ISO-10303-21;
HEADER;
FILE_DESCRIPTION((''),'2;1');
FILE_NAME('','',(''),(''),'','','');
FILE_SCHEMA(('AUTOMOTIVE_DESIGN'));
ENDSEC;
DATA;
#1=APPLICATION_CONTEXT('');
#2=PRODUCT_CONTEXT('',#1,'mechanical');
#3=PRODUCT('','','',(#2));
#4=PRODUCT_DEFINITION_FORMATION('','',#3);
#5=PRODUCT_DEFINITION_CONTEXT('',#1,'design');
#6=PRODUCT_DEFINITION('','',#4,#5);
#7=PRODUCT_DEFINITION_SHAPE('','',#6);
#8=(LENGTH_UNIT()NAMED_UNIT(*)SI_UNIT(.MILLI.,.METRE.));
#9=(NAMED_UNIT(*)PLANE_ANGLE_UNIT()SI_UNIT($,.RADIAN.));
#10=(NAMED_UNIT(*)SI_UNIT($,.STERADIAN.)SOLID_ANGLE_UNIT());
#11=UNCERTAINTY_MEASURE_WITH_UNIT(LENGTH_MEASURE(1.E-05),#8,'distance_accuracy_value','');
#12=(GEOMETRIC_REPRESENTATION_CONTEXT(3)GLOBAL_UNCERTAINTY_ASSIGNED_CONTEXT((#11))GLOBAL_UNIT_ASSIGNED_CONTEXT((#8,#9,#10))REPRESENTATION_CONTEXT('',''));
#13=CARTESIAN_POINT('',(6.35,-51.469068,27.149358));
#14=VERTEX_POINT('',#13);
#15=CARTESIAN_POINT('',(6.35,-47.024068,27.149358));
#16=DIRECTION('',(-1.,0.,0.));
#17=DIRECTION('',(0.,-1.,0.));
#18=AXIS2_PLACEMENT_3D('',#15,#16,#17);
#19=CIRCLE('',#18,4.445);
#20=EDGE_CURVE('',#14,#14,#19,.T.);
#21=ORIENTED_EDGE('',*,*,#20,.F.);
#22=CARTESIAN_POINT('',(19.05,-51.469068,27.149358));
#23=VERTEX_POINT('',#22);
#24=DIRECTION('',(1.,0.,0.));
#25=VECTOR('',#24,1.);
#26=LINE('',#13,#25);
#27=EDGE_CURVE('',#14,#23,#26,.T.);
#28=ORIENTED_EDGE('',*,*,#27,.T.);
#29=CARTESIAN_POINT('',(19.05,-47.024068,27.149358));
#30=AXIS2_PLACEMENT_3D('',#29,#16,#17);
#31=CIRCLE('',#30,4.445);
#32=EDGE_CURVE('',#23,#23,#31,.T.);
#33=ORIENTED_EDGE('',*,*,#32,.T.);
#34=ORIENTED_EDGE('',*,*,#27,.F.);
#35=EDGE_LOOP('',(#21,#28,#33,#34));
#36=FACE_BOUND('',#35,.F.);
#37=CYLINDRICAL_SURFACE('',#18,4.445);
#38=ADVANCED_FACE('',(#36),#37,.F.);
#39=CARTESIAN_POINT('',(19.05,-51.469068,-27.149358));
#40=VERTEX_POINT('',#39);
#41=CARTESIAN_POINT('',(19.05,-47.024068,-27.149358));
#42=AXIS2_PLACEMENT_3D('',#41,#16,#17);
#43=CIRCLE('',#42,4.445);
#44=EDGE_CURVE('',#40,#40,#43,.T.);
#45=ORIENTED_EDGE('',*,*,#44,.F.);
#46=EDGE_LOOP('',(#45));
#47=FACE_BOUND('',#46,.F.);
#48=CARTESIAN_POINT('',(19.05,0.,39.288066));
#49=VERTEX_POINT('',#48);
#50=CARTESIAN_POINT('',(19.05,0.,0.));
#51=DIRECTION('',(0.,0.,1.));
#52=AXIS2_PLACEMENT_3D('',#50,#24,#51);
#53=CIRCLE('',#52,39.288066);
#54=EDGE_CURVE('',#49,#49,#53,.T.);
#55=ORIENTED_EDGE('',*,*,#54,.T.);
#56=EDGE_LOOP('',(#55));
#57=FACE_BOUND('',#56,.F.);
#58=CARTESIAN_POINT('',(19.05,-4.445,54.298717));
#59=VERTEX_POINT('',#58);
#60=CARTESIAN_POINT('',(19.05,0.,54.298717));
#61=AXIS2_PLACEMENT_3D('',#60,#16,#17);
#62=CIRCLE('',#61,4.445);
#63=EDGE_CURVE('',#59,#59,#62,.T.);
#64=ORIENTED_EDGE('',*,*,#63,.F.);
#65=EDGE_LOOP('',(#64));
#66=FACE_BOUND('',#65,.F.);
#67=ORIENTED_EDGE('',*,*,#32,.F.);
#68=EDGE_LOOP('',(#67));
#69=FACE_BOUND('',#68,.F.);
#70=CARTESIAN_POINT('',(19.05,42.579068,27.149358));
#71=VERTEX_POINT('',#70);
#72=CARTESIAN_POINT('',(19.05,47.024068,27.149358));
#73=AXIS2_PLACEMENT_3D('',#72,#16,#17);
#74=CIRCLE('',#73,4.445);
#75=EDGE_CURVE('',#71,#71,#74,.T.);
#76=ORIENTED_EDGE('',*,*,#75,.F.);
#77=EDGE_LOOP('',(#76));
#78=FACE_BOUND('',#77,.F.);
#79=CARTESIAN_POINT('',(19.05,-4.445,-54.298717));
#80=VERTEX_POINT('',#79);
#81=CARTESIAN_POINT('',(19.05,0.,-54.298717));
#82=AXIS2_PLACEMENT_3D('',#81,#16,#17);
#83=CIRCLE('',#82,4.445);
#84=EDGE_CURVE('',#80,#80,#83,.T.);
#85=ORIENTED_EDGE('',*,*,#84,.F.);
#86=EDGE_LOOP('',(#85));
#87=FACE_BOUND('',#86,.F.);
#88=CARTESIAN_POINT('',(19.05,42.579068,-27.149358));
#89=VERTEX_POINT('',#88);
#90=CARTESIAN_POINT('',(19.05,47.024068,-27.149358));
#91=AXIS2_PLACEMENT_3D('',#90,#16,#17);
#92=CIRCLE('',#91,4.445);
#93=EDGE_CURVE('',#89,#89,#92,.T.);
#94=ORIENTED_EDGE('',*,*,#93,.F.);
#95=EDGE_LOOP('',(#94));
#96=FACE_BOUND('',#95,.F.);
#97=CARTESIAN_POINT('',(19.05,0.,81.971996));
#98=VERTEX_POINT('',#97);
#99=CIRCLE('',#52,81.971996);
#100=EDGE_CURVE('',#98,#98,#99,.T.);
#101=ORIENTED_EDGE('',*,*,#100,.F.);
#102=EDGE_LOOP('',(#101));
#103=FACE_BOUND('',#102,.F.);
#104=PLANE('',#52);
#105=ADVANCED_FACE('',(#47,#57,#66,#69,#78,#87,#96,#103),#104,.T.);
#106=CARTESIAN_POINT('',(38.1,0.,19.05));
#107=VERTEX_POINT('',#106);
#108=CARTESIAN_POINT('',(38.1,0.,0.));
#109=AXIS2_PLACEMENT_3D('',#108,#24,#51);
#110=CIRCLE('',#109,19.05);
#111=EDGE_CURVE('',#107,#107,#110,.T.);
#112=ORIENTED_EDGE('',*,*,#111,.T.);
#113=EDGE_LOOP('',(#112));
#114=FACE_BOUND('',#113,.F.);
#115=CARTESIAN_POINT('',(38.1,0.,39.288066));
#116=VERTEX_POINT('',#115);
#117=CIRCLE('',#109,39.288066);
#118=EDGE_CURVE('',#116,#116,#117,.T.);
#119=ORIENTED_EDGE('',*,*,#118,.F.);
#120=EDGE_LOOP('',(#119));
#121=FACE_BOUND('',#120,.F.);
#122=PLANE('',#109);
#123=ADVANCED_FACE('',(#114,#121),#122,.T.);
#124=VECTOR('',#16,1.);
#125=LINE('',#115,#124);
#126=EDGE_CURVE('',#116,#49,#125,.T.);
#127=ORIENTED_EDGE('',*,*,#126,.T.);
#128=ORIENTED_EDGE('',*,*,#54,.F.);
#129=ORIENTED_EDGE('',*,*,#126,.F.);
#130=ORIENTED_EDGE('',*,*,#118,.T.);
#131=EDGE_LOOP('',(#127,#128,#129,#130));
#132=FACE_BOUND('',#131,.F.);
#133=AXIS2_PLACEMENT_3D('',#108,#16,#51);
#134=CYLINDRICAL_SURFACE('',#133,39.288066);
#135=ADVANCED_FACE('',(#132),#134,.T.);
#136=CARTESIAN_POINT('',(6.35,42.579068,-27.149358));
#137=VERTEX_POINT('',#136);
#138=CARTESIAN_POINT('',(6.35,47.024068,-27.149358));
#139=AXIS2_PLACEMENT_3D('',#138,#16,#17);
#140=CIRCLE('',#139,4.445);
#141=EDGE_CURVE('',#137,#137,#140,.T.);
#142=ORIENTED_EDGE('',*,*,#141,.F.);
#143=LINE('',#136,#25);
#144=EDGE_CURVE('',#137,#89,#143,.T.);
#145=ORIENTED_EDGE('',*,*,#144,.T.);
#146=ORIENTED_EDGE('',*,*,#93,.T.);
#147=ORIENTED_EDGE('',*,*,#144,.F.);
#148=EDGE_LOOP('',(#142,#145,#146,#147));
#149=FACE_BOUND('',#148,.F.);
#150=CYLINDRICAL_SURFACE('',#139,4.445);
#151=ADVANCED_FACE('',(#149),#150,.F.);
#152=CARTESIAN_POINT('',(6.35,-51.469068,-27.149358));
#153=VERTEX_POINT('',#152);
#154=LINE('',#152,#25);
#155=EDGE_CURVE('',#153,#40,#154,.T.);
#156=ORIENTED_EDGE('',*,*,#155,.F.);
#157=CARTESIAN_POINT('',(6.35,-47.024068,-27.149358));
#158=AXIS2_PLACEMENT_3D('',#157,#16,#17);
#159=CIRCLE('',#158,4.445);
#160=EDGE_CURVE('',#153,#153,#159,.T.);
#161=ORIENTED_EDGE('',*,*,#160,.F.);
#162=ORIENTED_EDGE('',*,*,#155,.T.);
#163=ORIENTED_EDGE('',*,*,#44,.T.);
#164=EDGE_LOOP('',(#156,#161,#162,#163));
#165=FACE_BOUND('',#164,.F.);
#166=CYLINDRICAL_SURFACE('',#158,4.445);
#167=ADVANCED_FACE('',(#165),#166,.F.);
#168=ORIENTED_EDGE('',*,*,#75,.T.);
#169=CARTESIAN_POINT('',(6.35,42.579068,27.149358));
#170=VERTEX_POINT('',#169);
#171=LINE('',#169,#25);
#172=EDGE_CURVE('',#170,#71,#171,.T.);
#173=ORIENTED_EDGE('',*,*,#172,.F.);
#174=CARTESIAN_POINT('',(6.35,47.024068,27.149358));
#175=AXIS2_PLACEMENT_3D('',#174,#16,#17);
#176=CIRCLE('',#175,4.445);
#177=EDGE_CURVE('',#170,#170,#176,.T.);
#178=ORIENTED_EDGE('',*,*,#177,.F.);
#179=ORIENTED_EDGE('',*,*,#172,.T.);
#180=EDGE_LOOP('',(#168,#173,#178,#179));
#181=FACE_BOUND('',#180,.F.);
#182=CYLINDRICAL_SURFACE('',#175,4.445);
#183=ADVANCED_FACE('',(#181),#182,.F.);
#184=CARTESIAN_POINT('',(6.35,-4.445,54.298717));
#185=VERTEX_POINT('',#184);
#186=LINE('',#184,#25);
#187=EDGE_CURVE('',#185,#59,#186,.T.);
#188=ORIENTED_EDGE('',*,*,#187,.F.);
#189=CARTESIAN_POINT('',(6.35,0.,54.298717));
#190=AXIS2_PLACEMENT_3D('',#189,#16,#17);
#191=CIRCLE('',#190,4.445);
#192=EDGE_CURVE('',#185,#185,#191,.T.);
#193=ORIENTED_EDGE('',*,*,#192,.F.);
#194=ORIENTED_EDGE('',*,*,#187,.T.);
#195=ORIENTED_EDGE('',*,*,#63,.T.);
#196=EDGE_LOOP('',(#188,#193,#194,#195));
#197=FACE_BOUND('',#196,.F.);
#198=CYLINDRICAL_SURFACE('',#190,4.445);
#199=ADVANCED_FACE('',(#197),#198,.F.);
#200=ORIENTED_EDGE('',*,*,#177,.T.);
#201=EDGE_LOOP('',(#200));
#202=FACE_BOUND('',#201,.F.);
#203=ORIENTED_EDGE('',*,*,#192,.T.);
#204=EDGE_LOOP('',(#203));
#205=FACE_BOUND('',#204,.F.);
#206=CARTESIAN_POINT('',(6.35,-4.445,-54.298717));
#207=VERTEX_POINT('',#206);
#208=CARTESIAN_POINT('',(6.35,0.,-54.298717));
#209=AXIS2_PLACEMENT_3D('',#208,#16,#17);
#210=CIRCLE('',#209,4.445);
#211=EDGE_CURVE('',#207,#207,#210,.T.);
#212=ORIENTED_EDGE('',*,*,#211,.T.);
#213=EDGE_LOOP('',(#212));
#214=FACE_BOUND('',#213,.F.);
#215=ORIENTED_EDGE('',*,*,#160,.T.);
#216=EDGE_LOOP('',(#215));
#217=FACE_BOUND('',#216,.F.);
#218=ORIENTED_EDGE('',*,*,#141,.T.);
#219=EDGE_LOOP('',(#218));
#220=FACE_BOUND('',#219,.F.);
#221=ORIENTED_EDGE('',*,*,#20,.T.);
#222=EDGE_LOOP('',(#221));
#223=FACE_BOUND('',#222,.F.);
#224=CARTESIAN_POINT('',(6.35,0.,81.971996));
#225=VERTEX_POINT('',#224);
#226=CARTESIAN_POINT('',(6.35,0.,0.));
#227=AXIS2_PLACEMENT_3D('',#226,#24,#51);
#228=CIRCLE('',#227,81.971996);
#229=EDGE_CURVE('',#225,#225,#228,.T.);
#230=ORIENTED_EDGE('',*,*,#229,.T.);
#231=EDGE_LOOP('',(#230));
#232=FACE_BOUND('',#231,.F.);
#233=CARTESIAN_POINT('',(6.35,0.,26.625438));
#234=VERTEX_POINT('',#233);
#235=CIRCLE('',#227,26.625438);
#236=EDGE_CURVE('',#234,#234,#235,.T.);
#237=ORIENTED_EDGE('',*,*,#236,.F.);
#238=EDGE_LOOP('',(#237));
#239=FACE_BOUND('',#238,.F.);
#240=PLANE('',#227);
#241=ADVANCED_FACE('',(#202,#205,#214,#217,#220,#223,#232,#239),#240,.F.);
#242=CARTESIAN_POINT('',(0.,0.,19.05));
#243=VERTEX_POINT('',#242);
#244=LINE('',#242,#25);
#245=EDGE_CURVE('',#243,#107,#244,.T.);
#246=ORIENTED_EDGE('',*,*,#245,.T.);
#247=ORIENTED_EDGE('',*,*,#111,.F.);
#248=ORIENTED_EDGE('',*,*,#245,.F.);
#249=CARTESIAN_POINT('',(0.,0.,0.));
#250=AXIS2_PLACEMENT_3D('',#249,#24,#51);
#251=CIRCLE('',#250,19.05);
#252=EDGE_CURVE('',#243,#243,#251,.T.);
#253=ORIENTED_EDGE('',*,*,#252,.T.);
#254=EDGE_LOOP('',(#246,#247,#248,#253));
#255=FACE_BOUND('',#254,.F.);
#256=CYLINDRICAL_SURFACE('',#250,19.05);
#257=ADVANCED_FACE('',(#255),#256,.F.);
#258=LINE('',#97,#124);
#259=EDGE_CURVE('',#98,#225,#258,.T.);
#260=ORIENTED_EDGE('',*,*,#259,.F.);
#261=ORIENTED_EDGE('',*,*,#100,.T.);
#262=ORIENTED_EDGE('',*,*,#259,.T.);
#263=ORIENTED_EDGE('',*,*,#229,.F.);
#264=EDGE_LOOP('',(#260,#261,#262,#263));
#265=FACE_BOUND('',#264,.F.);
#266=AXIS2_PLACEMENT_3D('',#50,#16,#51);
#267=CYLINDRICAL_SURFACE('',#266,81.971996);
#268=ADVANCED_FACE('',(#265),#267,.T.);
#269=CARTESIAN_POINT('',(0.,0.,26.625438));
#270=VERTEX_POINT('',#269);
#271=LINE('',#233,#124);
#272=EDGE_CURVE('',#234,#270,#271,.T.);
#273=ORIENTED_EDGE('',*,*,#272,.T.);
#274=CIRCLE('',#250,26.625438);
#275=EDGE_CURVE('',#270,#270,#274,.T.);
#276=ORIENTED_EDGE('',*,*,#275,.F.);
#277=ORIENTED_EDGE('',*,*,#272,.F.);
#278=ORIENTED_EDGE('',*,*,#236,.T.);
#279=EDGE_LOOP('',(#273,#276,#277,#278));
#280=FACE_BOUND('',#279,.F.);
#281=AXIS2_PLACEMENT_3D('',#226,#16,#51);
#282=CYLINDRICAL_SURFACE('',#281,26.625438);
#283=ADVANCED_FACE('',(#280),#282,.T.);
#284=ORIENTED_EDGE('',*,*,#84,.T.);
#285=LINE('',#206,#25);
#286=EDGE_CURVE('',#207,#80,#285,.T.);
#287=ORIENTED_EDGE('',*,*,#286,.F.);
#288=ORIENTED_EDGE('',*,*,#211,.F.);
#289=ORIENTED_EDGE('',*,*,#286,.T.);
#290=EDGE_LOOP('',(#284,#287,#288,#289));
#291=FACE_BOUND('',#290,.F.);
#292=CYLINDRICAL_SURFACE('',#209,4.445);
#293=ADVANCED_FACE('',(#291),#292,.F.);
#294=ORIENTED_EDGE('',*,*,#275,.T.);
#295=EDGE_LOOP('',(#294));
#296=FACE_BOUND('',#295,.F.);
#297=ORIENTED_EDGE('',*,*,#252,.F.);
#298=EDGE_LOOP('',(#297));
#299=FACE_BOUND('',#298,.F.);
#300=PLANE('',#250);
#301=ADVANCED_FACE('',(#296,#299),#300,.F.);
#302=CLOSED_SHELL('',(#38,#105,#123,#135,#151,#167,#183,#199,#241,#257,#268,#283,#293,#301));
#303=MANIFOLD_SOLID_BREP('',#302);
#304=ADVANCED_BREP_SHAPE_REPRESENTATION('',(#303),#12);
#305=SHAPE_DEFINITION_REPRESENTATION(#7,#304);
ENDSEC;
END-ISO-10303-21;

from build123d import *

# Parameters (mm, degrees)
F3_R     = 4.445
F4_DEPTH = 31.751


with BuildPart() as f1:
    # F0 (on Front) → F1 (revolve)
    with BuildSketch(Plane.XZ):
        Polygon((0, 26.6254378243), (0, 19.05), (38.1, 19.05), (38.1, 39.2880663276), (19.05, 39.2880663276), (19.05, 81.9719955325), (6.35, 81.9719955325), (6.35, 26.6254378243), align=None)
    revolve(axis=Axis((2.4508777199, 0, 0), (1, 0, 0)))

    # F3 (on offset) → F4 (cut, through all)
    with BuildSketch(Plane(origin=(6.35, 0, 0), x_dir=(0, -1, 0), z_dir=(-1, 0, 0))):
        with Locations((0, 54.2987166784)):
            Circle(F3_R)
        with Locations((-47.0240680364, 27.1493583392)):
            Circle(F3_R)
        with Locations((-47.0240680364, -27.1493583392)):
            Circle(F3_R)
        with Locations((0, -54.2987166784)):
            Circle(F3_R)
        with Locations((47.0240680364, -27.1493583392)):
            Circle(F3_R)
        with Locations((47.0240680364, 27.1493583392)):
            Circle(F3_R)
    extrude(amount=-F4_DEPTH, mode=Mode.SUBTRACT)


solid = f1.part
